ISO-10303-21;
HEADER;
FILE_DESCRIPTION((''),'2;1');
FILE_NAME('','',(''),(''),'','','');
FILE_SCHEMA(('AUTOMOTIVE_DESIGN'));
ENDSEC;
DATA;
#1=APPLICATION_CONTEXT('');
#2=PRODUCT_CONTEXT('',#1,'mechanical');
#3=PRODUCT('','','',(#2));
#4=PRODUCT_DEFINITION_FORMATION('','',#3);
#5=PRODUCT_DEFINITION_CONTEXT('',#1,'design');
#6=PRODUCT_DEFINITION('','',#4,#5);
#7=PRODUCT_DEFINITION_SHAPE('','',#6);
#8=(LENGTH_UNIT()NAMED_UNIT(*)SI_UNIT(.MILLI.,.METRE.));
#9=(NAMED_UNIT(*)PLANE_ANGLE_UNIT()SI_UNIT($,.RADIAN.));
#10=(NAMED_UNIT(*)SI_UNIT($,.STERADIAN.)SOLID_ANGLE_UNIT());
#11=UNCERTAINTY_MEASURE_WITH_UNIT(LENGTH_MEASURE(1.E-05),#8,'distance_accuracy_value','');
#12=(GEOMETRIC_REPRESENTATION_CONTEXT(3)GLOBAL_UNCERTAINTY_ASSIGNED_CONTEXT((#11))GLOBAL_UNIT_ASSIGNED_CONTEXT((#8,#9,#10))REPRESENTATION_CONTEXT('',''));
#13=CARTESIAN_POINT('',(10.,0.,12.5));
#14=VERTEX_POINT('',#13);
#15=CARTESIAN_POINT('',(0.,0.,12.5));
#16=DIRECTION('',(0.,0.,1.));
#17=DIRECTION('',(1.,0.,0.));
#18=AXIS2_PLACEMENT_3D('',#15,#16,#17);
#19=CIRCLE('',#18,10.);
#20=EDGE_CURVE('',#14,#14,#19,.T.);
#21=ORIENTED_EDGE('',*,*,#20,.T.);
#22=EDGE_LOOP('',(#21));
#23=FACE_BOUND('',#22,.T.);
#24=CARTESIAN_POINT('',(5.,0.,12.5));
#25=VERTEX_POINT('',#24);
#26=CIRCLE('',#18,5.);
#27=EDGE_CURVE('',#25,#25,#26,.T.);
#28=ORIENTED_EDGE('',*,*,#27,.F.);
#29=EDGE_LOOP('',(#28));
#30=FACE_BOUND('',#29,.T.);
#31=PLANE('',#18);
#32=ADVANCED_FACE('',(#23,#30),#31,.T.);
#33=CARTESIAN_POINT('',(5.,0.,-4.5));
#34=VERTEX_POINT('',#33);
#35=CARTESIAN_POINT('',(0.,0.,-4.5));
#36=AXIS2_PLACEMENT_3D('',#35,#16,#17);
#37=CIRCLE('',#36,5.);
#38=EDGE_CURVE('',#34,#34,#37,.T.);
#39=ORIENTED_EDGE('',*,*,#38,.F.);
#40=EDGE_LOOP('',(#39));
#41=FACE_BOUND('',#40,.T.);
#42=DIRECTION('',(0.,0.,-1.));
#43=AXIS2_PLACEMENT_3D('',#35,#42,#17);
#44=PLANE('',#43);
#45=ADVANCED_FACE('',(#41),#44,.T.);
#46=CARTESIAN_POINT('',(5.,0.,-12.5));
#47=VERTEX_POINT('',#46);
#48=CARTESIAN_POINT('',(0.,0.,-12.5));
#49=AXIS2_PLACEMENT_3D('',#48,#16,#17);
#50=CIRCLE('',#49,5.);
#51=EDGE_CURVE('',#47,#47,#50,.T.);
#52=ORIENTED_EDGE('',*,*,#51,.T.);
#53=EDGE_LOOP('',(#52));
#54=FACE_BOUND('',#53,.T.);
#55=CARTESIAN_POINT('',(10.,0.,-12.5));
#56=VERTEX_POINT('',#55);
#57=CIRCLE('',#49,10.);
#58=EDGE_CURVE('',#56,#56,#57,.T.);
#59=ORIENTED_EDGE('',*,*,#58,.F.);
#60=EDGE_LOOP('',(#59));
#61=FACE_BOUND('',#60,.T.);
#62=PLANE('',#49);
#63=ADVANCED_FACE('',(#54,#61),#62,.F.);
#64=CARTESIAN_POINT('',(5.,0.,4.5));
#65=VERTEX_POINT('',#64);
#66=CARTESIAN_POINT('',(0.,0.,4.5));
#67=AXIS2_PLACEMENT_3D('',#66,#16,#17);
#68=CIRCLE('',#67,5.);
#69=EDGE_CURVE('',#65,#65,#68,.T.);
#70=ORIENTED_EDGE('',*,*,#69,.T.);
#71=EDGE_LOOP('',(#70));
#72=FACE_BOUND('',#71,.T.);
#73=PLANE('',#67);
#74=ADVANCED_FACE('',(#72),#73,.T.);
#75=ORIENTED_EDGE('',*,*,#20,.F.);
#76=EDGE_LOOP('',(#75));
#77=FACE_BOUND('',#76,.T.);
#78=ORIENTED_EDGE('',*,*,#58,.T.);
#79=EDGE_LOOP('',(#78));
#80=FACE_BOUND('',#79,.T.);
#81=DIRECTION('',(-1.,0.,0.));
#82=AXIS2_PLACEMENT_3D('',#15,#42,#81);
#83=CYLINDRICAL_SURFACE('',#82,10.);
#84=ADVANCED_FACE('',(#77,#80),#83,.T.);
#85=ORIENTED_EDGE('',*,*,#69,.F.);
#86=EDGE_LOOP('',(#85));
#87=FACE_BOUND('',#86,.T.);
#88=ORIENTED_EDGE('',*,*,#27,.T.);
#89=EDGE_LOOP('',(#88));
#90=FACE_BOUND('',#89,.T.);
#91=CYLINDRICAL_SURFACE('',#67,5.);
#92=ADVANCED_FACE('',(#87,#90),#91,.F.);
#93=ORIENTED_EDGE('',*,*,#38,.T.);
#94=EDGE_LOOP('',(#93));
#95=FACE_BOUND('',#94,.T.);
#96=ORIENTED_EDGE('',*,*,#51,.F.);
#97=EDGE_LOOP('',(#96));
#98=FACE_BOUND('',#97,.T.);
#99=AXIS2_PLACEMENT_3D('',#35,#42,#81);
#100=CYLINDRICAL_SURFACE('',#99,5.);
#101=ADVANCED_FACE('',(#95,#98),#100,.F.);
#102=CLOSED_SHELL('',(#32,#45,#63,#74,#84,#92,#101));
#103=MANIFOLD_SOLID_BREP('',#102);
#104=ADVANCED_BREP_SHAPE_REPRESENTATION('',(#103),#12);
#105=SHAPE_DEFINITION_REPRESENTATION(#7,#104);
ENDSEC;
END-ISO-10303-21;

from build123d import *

# Parameters (mm, degrees)
SKETCH1_R           = 10
BOSS_EXTRUDE1_DEPTH = 12.5
SKETCH2_R           = 5
CUT_EXTRUDE2_DEPTH  = 8


with BuildPart() as part:
    # Sketch1 → Boss-Extrude1 (new body, symmetric)
    with BuildSketch(Plane.XY):
        Circle(SKETCH1_R)
    extrude(amount=BOSS_EXTRUDE1_DEPTH, both=True)

    # Sketch2 → Cut-Extrude2 (cut)
    with BuildSketch(Plane.XY.offset(12.5)):
        Circle(SKETCH2_R)
    cut_extrude2 = extrude(amount=-CUT_EXTRUDE2_DEPTH, mode=Mode.SUBTRACT)

    # Mirror1: Cut-Extrude2 across plane
    add(cut_extrude2.mirror(Plane.XY), mode=Mode.SUBTRACT)


solid = part.part
